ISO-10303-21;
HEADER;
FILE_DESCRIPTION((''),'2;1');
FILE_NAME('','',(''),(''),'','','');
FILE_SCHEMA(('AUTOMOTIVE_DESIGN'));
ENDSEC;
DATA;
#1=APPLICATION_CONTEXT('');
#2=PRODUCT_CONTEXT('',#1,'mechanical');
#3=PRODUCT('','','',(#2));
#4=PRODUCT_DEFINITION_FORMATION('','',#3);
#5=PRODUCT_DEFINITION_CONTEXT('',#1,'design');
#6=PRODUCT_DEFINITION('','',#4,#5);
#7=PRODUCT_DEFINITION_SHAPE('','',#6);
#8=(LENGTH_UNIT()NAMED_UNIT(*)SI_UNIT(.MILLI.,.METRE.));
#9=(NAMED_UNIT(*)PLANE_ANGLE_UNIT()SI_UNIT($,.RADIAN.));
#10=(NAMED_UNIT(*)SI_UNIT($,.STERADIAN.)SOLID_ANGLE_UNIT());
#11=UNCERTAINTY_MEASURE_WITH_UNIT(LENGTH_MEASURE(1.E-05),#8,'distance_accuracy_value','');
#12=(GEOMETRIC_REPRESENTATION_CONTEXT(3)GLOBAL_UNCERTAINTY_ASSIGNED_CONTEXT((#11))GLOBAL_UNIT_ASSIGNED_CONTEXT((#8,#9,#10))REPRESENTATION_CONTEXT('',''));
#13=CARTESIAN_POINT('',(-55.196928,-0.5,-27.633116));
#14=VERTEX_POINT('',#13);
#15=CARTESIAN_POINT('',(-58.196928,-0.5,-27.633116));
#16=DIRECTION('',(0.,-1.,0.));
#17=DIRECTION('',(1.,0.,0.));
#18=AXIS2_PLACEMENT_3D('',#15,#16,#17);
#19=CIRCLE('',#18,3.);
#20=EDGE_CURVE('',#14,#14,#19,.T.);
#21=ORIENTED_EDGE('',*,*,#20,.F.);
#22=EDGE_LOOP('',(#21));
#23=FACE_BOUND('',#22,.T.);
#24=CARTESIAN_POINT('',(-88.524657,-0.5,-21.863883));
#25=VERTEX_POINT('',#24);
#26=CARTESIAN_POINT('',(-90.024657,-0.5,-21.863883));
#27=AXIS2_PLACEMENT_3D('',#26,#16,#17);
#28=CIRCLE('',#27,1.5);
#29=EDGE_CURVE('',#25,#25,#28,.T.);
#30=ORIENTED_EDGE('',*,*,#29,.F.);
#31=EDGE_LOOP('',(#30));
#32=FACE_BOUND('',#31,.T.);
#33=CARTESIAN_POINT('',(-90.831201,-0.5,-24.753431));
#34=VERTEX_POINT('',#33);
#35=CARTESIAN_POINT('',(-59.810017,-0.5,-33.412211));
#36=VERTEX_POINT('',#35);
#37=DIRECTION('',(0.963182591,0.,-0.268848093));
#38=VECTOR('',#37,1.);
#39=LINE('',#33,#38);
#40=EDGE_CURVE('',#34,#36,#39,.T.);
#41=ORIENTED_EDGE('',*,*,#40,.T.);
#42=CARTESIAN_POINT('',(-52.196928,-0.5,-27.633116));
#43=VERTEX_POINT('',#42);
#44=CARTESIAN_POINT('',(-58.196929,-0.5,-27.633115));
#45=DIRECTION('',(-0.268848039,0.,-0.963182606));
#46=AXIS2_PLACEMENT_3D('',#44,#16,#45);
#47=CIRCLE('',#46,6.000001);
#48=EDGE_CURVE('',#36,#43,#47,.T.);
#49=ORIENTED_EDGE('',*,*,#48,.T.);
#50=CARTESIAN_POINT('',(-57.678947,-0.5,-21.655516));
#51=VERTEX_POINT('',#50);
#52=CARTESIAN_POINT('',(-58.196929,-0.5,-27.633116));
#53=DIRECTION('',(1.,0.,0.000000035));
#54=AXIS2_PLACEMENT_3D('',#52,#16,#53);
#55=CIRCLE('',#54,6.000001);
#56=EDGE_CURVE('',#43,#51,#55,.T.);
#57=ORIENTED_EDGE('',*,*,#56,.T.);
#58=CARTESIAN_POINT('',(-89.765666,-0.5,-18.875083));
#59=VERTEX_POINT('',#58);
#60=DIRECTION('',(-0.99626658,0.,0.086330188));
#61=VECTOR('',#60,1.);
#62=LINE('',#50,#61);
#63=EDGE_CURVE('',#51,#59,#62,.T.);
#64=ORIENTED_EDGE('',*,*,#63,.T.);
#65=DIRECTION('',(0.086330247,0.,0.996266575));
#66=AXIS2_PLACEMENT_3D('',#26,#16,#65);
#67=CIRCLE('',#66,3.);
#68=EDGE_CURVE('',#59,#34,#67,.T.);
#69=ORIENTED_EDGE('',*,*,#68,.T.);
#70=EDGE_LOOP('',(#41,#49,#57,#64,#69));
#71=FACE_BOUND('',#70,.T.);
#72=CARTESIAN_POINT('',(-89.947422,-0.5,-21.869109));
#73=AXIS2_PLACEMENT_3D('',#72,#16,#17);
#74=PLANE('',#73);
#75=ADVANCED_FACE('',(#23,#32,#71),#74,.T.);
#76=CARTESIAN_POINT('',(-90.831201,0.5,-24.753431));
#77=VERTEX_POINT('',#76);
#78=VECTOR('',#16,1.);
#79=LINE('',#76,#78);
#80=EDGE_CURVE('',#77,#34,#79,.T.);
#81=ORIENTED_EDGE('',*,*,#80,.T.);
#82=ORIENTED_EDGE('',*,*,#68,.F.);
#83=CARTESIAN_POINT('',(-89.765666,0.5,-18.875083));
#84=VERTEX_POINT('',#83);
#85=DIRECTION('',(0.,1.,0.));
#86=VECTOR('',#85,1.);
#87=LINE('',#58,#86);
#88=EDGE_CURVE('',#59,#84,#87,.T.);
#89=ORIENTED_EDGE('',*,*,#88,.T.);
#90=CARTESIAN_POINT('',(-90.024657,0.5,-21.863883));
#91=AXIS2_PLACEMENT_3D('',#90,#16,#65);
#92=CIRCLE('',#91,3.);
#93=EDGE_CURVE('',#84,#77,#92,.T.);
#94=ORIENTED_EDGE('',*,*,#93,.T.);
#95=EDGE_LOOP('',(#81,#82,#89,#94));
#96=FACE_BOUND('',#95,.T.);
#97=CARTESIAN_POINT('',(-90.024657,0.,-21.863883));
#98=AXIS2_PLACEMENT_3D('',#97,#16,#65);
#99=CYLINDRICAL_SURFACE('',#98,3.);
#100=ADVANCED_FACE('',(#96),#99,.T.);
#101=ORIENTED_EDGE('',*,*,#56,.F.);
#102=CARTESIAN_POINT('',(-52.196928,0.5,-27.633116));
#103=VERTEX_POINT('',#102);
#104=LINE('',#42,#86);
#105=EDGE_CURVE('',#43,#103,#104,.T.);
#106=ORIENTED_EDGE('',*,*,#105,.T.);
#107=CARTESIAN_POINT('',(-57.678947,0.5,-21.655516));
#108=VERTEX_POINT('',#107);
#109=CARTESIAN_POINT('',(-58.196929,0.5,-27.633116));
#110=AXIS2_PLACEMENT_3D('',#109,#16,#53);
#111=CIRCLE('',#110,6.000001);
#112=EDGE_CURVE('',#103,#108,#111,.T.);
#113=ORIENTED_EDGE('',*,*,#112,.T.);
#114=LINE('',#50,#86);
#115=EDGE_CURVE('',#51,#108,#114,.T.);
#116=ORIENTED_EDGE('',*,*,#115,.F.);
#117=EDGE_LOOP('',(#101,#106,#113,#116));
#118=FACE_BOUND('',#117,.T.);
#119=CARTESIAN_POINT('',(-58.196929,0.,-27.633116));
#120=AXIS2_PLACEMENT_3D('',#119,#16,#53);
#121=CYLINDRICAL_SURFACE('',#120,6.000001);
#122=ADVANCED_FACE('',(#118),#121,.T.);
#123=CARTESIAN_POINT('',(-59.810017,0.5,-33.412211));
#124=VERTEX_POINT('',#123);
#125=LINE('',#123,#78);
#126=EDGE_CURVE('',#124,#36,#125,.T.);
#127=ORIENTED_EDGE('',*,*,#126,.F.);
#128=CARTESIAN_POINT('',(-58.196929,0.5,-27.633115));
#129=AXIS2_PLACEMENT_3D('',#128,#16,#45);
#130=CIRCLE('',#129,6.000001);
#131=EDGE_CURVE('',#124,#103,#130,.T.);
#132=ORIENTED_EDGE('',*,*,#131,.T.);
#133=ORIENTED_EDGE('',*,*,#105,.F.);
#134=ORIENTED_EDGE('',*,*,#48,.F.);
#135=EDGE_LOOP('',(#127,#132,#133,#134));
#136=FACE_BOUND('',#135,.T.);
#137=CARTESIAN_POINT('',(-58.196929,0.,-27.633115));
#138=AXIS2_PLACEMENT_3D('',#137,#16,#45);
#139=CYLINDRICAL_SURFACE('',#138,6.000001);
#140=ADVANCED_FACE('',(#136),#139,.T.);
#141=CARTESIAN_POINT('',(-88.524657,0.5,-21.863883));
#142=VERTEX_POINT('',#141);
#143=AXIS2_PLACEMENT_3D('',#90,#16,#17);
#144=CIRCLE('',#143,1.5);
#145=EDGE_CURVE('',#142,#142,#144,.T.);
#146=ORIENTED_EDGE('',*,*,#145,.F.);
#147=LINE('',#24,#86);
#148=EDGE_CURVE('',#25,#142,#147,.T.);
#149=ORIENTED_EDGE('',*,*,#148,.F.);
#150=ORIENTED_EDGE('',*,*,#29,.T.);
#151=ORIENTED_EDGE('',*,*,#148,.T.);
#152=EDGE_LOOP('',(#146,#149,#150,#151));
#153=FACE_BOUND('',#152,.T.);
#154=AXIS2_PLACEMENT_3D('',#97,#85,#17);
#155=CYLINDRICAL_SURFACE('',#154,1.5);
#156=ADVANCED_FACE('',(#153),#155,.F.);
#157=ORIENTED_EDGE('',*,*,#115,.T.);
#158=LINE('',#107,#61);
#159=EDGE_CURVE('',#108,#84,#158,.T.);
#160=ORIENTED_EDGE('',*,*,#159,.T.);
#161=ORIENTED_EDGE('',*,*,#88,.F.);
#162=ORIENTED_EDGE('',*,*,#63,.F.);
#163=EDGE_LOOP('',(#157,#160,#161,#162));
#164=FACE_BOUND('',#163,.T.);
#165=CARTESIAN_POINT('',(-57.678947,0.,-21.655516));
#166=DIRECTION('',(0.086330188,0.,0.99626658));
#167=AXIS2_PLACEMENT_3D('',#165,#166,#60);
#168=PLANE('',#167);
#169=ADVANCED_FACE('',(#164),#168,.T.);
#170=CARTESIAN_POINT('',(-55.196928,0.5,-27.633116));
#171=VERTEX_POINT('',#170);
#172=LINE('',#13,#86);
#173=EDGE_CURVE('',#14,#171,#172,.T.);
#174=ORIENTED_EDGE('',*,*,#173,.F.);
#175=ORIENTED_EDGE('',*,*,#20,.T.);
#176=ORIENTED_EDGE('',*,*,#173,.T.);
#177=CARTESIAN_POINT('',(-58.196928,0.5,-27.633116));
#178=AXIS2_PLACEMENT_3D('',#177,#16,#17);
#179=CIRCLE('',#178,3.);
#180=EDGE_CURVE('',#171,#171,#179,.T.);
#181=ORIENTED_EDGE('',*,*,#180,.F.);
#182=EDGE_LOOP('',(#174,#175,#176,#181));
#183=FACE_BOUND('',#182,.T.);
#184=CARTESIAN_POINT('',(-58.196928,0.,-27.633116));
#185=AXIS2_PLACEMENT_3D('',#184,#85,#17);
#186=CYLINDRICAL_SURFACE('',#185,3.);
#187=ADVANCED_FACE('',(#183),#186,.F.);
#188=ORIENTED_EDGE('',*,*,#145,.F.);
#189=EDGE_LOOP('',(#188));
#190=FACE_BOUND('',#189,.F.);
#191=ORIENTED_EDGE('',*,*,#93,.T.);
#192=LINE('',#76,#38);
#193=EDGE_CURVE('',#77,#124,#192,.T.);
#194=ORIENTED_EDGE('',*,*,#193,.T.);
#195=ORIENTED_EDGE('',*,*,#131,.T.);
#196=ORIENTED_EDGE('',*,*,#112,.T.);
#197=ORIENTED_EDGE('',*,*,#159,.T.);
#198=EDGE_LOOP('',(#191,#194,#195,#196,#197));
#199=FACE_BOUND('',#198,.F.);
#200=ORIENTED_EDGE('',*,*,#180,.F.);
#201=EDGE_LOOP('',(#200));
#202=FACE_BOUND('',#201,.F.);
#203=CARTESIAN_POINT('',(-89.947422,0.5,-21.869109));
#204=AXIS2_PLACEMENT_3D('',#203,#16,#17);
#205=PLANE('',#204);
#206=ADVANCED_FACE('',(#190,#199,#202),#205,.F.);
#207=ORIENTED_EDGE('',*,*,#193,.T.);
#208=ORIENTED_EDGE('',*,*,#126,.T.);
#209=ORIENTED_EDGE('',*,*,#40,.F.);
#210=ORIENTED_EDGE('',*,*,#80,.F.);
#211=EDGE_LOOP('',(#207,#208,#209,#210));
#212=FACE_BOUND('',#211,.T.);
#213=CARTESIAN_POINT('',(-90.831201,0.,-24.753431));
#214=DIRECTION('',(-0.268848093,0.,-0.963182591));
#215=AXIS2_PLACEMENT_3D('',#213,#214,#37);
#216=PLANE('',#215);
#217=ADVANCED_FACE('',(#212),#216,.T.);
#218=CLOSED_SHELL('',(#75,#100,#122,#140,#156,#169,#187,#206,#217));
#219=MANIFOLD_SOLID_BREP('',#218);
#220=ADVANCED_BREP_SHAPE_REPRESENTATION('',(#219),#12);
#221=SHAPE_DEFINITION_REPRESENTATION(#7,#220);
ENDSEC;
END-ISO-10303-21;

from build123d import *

# Parameters (mm, degrees)
F0_R     = 1.5
F0_R_2   = 3
F1_DEPTH = 0.5


with BuildPart() as f1:
    # F0 (on Front) → F1 (new body, symmetric)
    with BuildSketch(Plane.XZ):
        with BuildLine():
            ThreePointArc((-90.831201, -24.753431), (-88.210771, -24.253405), (-87.024657, -21.863883))
            ThreePointArc((-87.024657, -21.863883), (-87.813665, -19.836196), (-89.765666, -18.875083))
            ThreePointArc((-89.765666, -18.875083), (-92.976554, -21.328809), (-90.831201, -24.753431))
        make_face()
        with Locations((-90.024657, -21.863883)):
            Circle(F0_R, mode=Mode.SUBTRACT)
        with BuildLine():
            ThreePointArc((-89.765666, -18.875083), (-87.813665, -19.836196), (-87.024657, -21.863883))
            ThreePointArc((-87.024657, -21.863883), (-88.210771, -24.253405), (-90.831201, -24.753431))
            Line((-90.831201, -24.753431), (-59.810017, -33.412211))
            ThreePointArc((-59.810017, -33.412211), (-64.100722, -26.562968), (-57.678947, -21.655516))
            Line((-57.678947, -21.655516), (-89.765666, -18.875083))
        make_face()
        with BuildLine():
            ThreePointArc((-52.196928, -27.633116), (-53.774944, -23.577742), (-57.678947, -21.655516))
            ThreePointArc((-57.678947, -21.655516), (-64.100722, -26.562968), (-59.810017, -33.412211))
            ThreePointArc((-59.810017, -33.412211), (-54.569156, -32.41216), (-52.196928, -27.633116))
        make_face()
        with Locations((-58.196928, -27.633116)):
            Circle(F0_R_2, mode=Mode.SUBTRACT)
    extrude(amount=F1_DEPTH, both=True)


solid = f1.part
